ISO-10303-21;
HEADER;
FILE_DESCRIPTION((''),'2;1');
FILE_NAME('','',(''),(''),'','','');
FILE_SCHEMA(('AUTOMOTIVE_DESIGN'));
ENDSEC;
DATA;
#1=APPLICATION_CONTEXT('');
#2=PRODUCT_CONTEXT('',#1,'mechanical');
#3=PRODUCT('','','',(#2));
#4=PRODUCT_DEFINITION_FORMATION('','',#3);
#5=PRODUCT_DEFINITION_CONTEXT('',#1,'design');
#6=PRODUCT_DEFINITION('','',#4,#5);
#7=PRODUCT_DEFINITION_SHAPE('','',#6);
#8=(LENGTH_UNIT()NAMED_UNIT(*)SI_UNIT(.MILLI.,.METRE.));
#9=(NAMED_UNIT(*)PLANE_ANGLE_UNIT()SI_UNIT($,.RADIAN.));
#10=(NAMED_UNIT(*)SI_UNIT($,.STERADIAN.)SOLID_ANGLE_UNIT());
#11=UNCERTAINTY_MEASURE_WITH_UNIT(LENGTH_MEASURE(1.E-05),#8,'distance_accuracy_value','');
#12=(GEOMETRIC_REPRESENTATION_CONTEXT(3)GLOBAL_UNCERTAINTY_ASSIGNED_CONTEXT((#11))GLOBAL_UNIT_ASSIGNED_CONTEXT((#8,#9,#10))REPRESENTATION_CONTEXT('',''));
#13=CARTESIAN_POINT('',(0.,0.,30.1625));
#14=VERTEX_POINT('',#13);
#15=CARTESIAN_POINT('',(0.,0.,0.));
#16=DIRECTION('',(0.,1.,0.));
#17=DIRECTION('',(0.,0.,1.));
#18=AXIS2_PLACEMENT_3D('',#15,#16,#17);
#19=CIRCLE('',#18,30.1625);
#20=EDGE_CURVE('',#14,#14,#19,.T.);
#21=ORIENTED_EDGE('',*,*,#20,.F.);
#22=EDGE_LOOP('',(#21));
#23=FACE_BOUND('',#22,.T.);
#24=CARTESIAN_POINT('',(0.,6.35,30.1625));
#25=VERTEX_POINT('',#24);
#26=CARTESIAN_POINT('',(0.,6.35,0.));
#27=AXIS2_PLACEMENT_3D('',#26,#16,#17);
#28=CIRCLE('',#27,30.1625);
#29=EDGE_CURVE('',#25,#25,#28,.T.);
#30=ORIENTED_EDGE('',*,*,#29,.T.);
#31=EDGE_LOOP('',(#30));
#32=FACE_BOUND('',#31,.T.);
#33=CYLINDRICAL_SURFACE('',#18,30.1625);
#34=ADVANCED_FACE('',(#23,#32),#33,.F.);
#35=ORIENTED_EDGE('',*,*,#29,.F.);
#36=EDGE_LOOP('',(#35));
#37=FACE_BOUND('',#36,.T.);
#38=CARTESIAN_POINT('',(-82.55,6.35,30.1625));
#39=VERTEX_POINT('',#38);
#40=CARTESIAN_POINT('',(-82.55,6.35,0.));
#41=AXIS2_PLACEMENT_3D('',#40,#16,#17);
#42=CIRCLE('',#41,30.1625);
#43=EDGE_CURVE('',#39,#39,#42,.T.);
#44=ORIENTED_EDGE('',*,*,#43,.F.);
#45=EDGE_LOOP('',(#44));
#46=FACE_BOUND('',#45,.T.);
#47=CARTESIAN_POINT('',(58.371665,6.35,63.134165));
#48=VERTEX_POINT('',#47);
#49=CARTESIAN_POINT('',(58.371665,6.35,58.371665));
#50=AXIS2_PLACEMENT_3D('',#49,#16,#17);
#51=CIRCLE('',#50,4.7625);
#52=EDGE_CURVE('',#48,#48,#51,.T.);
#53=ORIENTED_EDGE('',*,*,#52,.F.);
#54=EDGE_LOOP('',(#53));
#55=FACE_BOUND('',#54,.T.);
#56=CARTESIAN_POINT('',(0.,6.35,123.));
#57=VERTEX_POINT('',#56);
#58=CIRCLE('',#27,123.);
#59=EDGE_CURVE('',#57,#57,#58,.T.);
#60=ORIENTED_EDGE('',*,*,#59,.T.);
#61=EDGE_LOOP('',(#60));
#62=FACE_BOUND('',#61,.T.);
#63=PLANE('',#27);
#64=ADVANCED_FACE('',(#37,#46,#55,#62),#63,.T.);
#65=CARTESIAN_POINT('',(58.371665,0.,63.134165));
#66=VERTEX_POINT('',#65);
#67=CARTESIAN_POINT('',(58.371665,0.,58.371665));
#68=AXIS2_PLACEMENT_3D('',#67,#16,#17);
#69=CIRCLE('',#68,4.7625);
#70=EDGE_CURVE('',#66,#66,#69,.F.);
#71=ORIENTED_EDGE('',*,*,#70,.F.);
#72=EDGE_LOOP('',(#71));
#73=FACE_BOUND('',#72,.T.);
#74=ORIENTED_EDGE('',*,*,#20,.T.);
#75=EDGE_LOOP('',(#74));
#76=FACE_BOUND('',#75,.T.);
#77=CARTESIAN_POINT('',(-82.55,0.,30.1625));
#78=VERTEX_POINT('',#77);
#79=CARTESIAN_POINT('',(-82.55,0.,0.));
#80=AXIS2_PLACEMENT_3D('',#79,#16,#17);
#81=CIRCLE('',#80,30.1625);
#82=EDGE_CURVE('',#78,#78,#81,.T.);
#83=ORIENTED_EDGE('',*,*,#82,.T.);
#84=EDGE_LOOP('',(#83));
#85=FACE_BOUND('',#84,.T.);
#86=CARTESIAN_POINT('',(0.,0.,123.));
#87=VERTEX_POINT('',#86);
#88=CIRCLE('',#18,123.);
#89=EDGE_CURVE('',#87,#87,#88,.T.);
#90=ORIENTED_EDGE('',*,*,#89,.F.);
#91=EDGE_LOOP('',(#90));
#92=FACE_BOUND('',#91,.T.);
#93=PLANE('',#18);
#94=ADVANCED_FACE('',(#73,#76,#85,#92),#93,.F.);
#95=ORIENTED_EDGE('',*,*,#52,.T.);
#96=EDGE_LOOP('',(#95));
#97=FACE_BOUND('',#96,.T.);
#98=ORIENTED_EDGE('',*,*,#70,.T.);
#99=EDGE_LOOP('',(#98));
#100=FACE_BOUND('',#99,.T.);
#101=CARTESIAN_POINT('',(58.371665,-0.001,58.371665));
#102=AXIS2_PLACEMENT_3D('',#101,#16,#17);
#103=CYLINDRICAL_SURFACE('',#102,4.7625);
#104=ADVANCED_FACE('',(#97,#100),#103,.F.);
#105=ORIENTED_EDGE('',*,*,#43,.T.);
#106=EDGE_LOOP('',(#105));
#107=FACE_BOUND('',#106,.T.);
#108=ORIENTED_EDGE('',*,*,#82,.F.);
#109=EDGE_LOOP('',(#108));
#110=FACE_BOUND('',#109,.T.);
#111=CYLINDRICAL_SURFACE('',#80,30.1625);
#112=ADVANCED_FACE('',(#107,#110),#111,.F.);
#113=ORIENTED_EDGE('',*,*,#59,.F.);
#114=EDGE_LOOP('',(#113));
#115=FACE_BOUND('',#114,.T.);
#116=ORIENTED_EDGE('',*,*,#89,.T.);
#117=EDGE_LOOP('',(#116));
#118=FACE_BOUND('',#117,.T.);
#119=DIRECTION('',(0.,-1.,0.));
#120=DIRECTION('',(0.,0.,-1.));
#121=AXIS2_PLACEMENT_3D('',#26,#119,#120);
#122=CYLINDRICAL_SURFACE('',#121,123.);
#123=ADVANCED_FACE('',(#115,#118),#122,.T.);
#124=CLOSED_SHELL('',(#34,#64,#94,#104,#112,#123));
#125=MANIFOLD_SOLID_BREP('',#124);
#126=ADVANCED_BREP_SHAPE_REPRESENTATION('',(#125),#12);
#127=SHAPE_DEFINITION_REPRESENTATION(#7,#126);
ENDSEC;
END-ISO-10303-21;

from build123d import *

# Parameters (mm, degrees)
SKETCH1_R           = 123
BOSS_EXTRUDE1_DEPTH = 6.35
SKETCH2_R           = 30.1625
CUT_EXTRUDE1_DEPTH  = 175.064133296
CUT_EXTRUDE2_REACH  = 176.064
SKETCH3_R           = 4.7625


with BuildPart() as part:
    # Sketch1 → Boss-Extrude1 (new body)
    with BuildSketch(Plane(origin=(0, 0, 0), x_dir=(1, 0, 0), z_dir=(0, 1, 0))):
        with Locations(Location((0, 0, 0), (0, 0, 270))):
            Circle(SKETCH1_R)
    extrude(amount=BOSS_EXTRUDE1_DEPTH)

    # Sketch2 → Cut-Extrude1 (cut, through all)
    with BuildSketch(Plane(origin=(0, 6.35, 0), x_dir=(1, 0, 0), z_dir=(0, 1, 0))):
        with Locations(Location((0, 0, 0), (0, 0, 270))):
            Circle(SKETCH2_R)
        with Locations(Location((-82.55, 0, 0), (0, 0, 270))):
            Circle(SKETCH2_R)
    extrude(amount=-CUT_EXTRUDE1_DEPTH, mode=Mode.SUBTRACT)

    # Sketch3 → Cut-Extrude2 (cut, up to next)
    with BuildSketch(Plane(origin=(0, 6.35, 0), x_dir=(1, 0, 0), z_dir=(0, 1, 0)), mode=Mode.PRIVATE) as cut_extrude2_sk1:
        with Locations(Location((58.371664787, -58.371664787, 0), (0, 0, 270))):
            Circle(SKETCH3_R)
    cut_extrude2_tool1 = extrude(cut_extrude2_sk1.sketch, amount=-CUT_EXTRUDE2_REACH, mode=Mode.PRIVATE) & part.part
    add(cut_extrude2_tool1.solids().sort_by_distance((58.371665, 6.35, 58.371665))[0], mode=Mode.SUBTRACT)


solid = part.part
